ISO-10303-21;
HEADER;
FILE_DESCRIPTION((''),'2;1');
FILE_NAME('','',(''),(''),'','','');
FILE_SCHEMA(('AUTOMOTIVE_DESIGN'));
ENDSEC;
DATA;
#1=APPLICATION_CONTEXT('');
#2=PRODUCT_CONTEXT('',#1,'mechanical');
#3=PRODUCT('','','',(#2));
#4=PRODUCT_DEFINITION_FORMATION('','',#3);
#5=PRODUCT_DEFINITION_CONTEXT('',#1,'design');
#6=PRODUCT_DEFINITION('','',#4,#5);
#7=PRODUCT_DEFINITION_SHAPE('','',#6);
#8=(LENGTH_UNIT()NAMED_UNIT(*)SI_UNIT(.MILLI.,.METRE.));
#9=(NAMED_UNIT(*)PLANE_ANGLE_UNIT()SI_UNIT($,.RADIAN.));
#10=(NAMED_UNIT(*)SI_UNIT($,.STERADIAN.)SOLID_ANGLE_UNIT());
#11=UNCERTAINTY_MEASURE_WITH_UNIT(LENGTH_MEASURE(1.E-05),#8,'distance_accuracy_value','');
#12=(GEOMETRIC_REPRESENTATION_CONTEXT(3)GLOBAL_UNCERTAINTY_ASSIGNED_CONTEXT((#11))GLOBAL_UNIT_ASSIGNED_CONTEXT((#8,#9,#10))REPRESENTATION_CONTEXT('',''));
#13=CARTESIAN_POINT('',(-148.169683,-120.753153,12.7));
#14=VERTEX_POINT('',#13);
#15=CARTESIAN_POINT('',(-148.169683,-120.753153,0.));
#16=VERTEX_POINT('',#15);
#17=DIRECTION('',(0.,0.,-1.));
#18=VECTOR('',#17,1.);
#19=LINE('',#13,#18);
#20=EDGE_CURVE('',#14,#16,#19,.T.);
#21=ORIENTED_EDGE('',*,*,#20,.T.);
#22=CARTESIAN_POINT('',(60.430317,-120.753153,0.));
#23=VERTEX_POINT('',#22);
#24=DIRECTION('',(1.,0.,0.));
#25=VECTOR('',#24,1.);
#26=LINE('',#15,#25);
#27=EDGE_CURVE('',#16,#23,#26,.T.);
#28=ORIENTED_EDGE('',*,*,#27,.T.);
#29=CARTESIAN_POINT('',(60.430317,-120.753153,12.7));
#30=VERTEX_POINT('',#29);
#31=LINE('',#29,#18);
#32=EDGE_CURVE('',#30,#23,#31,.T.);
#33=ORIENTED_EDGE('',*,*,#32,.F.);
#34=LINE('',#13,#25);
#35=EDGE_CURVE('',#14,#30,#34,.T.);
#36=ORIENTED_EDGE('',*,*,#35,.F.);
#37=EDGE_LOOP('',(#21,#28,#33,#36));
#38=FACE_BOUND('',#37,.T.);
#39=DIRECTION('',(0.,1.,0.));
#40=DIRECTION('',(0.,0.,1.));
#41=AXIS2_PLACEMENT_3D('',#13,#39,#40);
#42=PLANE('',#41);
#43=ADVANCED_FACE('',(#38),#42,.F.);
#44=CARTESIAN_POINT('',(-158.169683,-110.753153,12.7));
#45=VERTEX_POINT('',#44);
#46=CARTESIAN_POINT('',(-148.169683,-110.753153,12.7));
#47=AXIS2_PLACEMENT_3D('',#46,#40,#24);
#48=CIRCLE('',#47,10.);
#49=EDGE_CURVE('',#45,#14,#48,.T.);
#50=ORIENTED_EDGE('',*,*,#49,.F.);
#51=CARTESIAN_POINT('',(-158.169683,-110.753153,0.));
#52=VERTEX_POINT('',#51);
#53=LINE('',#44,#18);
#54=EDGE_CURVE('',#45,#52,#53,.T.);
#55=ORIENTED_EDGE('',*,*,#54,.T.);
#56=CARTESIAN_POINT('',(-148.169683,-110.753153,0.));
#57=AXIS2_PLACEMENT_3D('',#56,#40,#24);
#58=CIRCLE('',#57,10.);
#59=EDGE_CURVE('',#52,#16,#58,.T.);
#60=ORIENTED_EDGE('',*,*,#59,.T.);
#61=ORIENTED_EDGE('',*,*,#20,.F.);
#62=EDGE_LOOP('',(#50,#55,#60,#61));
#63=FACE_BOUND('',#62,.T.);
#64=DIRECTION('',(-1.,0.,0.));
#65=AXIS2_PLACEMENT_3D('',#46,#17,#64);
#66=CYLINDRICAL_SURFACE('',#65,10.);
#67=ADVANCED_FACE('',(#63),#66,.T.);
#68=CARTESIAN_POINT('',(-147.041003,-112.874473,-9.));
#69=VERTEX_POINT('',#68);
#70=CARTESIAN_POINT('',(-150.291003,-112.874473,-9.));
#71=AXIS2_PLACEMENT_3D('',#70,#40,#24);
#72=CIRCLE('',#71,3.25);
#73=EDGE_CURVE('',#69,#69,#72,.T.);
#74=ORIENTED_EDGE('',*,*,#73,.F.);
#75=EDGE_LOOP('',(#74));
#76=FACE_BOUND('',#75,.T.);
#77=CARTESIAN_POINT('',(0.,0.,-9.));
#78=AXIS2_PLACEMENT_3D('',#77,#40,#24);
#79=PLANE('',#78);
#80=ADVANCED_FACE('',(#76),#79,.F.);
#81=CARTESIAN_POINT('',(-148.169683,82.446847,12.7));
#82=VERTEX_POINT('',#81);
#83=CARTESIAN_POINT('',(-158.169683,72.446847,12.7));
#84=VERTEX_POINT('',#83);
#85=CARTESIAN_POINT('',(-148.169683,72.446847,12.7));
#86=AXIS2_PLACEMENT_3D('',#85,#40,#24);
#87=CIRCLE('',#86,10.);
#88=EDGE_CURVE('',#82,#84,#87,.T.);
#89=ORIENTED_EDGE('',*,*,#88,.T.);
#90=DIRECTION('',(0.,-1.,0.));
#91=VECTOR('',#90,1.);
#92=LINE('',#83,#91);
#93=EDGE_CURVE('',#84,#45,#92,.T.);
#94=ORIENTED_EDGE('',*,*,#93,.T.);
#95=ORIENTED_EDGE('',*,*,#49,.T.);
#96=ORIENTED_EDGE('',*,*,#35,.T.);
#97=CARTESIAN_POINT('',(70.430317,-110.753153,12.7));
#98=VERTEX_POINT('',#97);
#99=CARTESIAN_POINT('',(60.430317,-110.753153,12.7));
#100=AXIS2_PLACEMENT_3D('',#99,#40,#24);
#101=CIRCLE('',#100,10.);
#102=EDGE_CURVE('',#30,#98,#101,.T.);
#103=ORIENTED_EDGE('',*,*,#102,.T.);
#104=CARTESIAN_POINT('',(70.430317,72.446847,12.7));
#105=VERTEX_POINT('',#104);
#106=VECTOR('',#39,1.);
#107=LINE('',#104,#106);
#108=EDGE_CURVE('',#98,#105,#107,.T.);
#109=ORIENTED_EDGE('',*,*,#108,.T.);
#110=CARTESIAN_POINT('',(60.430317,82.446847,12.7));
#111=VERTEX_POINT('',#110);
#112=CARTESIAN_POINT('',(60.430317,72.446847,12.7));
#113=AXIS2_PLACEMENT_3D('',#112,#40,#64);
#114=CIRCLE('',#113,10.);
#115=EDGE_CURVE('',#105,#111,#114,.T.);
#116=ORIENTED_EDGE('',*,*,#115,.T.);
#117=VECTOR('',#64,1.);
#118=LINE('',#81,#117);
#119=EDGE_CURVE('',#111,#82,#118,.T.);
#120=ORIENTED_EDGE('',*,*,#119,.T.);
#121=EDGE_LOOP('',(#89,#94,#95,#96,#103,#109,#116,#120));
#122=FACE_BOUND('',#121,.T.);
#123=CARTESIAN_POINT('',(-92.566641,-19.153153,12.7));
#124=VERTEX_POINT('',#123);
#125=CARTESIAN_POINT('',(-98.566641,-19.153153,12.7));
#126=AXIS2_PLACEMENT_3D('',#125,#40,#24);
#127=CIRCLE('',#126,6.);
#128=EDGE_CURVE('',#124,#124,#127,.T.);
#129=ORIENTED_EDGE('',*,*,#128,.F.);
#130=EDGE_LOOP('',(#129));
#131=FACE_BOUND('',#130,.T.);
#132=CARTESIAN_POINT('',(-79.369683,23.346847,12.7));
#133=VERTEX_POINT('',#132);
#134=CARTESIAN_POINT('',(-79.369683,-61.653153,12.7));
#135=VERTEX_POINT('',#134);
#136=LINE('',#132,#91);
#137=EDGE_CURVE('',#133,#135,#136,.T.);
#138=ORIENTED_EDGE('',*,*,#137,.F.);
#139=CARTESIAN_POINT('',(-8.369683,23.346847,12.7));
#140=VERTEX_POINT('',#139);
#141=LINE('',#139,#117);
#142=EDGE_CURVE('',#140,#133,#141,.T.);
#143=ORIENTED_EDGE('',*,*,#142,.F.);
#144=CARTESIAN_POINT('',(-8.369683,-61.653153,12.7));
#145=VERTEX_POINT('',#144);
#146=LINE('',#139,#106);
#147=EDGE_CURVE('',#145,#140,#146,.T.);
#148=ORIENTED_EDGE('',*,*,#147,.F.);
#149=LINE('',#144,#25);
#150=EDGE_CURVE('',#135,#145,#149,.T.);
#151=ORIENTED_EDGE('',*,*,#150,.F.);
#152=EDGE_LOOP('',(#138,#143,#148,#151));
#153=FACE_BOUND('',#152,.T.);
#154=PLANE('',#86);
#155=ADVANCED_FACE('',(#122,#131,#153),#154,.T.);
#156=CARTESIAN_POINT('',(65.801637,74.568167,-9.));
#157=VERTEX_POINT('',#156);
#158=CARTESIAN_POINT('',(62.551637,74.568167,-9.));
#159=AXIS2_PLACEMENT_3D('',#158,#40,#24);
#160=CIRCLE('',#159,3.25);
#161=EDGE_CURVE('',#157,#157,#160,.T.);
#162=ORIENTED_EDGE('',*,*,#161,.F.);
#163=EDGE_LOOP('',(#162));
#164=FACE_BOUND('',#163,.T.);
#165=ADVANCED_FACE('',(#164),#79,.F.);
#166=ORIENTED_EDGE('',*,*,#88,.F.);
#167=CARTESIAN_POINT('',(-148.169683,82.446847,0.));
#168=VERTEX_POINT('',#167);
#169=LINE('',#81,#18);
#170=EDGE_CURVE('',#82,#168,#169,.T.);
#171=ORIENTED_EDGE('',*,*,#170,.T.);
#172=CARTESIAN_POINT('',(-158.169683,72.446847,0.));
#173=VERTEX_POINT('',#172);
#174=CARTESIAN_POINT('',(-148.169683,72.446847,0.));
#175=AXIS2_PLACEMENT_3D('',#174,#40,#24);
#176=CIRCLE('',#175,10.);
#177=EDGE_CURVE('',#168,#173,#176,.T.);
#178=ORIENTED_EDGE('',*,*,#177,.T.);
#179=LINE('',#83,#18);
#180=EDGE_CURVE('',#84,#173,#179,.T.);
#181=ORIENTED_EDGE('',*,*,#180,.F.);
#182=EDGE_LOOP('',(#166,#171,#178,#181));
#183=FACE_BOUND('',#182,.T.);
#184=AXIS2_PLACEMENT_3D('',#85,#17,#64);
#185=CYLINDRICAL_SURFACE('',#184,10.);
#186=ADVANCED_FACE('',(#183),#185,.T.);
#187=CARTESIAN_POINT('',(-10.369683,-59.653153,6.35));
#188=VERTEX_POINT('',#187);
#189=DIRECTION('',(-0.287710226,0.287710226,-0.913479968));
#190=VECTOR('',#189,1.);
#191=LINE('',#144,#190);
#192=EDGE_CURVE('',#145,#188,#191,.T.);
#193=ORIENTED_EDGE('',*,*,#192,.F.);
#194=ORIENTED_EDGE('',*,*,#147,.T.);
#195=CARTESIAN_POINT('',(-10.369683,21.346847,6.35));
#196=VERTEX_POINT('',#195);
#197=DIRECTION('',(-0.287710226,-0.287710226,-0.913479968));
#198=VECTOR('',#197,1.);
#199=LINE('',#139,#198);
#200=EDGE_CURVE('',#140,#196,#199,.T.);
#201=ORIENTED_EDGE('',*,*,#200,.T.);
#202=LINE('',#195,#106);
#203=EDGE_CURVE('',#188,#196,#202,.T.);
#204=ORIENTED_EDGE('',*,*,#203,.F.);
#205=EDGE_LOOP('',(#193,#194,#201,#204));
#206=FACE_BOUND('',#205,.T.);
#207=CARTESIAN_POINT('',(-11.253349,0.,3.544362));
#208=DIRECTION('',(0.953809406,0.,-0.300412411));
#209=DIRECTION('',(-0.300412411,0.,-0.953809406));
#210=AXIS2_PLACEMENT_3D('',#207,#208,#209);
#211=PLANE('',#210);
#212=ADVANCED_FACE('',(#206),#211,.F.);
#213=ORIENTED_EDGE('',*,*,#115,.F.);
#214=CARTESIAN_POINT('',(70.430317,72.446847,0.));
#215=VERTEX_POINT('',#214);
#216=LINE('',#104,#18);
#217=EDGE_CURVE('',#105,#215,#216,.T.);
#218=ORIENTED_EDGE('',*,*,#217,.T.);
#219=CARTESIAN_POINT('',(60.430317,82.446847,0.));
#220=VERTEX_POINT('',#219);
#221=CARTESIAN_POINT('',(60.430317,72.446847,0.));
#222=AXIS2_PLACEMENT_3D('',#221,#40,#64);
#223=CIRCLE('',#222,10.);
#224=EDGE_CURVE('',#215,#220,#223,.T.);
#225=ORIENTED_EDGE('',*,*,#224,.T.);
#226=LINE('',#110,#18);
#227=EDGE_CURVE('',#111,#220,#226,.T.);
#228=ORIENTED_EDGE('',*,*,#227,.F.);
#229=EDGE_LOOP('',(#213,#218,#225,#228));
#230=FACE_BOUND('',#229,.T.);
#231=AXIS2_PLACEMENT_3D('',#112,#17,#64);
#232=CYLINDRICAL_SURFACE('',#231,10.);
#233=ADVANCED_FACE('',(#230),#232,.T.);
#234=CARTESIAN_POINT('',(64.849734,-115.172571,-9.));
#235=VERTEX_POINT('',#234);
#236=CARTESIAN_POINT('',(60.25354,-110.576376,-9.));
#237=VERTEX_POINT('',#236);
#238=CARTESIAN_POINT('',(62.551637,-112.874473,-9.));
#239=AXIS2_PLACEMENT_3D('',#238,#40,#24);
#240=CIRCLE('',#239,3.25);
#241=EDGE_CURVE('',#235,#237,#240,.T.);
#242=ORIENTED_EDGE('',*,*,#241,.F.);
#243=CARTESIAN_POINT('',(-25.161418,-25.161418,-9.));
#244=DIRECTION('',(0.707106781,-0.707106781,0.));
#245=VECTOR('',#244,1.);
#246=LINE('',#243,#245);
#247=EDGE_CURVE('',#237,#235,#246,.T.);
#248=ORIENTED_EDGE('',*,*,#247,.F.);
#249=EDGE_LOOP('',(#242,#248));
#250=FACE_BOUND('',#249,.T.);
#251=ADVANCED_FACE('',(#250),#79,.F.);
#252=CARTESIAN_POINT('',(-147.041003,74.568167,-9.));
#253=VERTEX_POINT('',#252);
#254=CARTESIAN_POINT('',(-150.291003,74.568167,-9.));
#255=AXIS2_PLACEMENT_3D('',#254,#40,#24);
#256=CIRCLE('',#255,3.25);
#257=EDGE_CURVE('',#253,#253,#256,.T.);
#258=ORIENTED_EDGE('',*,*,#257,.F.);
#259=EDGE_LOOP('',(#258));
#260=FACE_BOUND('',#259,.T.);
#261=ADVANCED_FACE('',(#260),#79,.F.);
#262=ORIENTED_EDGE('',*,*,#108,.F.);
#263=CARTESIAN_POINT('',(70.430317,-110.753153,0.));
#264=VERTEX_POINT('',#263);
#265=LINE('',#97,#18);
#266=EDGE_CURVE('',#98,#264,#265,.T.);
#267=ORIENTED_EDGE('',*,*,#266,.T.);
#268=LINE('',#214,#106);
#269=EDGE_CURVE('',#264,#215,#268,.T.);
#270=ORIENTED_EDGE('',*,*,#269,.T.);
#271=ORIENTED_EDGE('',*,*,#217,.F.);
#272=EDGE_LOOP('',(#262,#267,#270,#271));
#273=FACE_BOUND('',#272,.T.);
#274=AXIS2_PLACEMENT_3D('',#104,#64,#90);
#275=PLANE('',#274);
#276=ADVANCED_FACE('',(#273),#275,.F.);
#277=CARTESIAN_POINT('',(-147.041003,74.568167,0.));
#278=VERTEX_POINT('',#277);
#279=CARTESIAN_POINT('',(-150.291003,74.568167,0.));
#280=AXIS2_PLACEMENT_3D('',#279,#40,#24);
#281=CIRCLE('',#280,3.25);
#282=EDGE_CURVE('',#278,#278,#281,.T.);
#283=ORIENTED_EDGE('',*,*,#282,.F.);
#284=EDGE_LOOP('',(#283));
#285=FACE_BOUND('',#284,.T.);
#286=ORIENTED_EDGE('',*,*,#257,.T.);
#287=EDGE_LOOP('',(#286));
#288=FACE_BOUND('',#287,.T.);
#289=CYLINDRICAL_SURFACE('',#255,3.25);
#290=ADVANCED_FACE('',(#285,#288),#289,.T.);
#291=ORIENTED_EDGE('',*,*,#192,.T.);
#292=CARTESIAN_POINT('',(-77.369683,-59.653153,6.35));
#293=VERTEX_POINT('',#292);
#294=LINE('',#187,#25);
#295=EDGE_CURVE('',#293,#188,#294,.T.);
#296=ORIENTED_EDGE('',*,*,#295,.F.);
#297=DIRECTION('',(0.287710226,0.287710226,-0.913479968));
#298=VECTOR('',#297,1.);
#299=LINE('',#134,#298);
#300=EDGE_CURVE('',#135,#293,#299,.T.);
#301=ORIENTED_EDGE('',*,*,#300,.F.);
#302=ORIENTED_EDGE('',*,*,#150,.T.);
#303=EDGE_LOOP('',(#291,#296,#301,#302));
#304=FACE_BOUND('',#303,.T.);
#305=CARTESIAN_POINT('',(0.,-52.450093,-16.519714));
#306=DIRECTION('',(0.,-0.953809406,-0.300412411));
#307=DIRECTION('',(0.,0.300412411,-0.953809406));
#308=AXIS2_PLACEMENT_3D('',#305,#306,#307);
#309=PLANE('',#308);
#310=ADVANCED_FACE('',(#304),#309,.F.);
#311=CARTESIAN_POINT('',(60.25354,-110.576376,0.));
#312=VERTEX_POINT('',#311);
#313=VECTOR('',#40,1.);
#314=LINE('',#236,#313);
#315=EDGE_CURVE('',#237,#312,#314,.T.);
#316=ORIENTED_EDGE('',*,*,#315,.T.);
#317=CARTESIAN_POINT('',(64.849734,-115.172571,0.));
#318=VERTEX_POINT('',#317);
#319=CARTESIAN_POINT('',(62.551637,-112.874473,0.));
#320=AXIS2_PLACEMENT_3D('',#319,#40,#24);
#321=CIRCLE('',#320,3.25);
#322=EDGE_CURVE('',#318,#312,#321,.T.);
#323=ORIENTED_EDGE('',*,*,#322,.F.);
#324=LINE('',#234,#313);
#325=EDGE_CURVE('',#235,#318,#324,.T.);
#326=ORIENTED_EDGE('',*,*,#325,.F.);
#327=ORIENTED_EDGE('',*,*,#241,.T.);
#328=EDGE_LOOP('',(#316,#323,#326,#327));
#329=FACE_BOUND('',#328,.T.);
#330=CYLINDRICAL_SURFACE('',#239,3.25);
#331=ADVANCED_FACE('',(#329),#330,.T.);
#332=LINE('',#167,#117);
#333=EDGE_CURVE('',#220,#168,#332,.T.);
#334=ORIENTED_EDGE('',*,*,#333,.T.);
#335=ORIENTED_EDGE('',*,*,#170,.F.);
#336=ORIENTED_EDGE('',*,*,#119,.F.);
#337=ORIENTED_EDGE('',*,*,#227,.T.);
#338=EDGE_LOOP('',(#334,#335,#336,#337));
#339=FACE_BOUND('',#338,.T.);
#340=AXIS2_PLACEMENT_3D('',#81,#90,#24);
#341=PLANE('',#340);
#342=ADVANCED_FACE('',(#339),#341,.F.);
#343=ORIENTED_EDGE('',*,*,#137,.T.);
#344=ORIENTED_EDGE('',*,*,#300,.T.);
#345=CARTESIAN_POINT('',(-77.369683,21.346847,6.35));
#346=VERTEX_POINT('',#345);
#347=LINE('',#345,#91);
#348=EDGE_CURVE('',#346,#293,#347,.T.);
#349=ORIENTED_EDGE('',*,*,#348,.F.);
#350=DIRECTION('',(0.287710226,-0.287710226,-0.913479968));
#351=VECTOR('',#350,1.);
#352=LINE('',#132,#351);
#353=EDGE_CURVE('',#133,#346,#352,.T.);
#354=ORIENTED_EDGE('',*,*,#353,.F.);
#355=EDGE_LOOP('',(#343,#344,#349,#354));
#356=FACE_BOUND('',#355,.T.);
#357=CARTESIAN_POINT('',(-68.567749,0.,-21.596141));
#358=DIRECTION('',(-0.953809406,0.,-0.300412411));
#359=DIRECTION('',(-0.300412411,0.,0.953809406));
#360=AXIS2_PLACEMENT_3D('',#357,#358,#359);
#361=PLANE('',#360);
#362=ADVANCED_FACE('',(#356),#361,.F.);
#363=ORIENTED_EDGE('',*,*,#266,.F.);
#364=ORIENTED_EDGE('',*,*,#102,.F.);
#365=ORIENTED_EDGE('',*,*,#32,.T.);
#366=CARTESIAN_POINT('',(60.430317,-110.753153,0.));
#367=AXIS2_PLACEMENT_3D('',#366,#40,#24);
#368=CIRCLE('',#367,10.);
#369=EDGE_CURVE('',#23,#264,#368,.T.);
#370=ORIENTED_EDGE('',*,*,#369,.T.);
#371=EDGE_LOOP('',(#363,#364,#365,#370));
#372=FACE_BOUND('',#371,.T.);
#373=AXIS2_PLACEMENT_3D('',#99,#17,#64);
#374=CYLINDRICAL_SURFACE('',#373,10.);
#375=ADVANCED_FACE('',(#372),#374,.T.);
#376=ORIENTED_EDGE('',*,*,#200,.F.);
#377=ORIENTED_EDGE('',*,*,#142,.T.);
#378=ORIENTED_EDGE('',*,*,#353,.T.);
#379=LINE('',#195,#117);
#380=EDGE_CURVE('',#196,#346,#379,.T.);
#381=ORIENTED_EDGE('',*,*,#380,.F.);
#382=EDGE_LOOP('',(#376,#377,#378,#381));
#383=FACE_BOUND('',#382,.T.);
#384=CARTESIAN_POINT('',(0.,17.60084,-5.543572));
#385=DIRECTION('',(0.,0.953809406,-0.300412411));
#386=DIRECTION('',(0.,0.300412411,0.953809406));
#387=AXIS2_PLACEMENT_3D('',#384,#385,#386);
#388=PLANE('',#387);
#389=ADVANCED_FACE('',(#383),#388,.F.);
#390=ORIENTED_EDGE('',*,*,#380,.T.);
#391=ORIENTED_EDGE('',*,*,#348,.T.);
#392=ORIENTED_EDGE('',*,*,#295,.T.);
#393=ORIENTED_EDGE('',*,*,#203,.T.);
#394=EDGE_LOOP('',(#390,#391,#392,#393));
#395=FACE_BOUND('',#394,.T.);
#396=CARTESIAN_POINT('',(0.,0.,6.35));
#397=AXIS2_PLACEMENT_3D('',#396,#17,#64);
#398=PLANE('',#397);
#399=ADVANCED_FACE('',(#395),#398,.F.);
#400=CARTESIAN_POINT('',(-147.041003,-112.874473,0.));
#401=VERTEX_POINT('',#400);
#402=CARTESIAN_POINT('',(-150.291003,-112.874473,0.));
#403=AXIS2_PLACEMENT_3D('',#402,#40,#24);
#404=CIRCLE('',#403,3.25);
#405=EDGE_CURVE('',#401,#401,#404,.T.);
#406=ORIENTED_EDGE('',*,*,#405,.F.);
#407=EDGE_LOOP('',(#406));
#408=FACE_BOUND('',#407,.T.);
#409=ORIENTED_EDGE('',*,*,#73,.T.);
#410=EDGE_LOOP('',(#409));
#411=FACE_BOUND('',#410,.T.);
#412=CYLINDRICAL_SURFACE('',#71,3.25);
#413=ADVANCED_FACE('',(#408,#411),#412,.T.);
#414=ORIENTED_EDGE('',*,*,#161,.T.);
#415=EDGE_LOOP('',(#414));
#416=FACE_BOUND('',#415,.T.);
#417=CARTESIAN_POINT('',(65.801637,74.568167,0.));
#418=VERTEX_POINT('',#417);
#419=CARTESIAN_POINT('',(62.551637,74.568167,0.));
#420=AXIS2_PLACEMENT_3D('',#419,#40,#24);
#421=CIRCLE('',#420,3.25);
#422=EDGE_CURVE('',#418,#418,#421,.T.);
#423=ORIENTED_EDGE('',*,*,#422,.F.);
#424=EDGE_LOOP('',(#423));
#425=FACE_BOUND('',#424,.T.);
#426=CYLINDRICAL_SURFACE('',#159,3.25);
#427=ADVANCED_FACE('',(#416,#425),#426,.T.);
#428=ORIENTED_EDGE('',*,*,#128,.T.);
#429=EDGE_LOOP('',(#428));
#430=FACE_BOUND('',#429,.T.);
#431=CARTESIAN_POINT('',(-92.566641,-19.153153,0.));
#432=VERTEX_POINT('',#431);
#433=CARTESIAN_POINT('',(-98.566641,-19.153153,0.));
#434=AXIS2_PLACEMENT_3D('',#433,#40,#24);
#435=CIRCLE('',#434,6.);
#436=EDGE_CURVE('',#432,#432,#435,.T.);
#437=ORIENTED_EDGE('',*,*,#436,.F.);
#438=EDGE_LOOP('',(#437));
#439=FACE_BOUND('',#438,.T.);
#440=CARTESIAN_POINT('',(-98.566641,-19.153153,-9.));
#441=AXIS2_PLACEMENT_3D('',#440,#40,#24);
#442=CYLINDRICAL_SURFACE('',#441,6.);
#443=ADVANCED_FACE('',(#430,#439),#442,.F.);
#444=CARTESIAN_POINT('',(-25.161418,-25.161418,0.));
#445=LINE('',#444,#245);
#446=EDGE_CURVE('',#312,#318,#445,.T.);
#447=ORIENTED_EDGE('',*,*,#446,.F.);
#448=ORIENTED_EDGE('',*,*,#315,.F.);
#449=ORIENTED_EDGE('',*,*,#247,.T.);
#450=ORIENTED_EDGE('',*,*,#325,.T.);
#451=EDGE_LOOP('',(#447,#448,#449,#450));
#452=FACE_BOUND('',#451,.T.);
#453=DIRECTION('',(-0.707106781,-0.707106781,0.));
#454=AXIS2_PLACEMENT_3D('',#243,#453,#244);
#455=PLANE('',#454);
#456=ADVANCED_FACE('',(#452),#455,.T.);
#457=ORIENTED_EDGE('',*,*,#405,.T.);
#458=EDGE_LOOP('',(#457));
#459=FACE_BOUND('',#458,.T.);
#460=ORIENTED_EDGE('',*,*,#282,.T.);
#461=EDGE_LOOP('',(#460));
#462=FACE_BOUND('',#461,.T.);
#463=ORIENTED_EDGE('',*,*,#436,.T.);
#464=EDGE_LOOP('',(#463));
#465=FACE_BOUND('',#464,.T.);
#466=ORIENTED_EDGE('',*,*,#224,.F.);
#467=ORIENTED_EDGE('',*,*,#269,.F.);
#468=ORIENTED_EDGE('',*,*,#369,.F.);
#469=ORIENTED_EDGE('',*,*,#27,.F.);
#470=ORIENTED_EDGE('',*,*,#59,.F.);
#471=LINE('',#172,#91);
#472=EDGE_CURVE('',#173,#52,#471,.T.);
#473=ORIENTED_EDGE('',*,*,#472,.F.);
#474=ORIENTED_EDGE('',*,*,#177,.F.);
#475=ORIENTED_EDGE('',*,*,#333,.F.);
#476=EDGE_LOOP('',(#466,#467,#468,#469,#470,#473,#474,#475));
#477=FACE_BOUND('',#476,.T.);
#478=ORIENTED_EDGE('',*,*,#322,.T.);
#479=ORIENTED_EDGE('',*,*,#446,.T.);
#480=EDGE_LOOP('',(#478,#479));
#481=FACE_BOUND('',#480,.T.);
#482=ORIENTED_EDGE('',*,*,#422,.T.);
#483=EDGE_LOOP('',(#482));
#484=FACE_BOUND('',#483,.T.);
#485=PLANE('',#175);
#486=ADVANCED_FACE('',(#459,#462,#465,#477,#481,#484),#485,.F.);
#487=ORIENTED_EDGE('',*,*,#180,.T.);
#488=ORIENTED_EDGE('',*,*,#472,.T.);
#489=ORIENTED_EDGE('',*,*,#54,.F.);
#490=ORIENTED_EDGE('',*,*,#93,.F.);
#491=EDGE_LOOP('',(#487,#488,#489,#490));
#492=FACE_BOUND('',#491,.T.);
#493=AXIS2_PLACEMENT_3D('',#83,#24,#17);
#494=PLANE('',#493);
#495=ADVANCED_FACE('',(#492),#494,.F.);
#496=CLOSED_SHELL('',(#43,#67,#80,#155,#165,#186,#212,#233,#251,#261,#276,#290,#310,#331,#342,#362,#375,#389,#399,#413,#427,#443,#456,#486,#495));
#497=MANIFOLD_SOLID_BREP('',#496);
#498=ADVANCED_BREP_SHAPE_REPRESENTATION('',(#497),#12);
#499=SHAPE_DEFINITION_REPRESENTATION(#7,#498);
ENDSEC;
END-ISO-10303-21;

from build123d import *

# Parameters (mm, degrees)
LID_DEPTH           = 12.7
SKETCH2_R           = 3.25
CORNER_SHAFTS_DEPTH = 9
SKETCH9_R           = 6
WIRE_HOLE_DEPTH     = 201.174580316


with BuildPart() as part:
    # Sketch1 → Lid (new body)
    with BuildSketch(Plane(origin=(-2.566079358, -10, 0), x_dir=(1, 0, 0), z_dir=(0, 0, 1))):
        with BuildLine():
            Line((-145.603603604, 92.446846847), (62.996396396, 92.446846847))
            ThreePointArc((62.996396396, 92.446846847), (70.067464208, 89.517914659), (72.996396396, 82.446846847))
            Line((72.996396396, 82.446846847), (72.996396396, -100.753153153))
            ThreePointArc((72.996396396, -100.753153153), (70.067464208, -107.824220965), (62.996396396, -110.753153153))
            Line((62.996396396, -110.753153153), (-145.603603604, -110.753153153))
            ThreePointArc((-145.603603604, -110.753153153), (-152.674671415, -107.824220965), (-155.603603604, -100.753153153))
            Line((-155.603603604, -100.753153153), (-155.603603604, 82.446846847))
            ThreePointArc((-155.603603604, 82.446846847), (-152.674671415, 89.517914659), (-145.603603604, 92.446846847))
        make_face()
    extrude(amount=LID_DEPTH)

    # Sketch2 → Corner Shafts (add)
    with BuildSketch(Plane.XY):
        with BuildLine():
            Line((60.253540343, -110.576376458), (64.849734421, -115.172570536))
            ThreePointArc((64.849734421, -115.172570536), (64.849734421, -110.576376458), (60.253540343, -110.576376458))
        make_face()
        with Locations((-150.291003305, -112.874473497)):
            Circle(SKETCH2_R)
        with Locations((-150.291003305, 74.56816719)):
            Circle(SKETCH2_R)
        with Locations((62.551637382, 74.56816719)):
            Circle(SKETCH2_R)
    extrude(amount=-CORNER_SHAFTS_DEPTH)

    # Sketch8 → Kinect Loft Cut section 0
    with BuildSketch(Plane.XY.offset(12.7)):
        with BuildLine():
            Line((-8.369682962, 23.346846847), (-79.369682962, 23.346846847))
            Line((-79.369682962, 23.346846847), (-79.369682962, -61.653153153))
            Line((-79.369682962, -61.653153153), (-8.369682962, -61.653153153))
            Line((-8.369682962, -61.653153153), (-8.369682962, 23.346846847))
        make_face()
    # Base for Kinect → Kinect Loft Cut section 1
    with BuildSketch(Plane.XY.offset(6.35)):
        with BuildLine():
            Line((-10.369682962, 21.346846847), (-77.369682962, 21.346846847))
            Line((-77.369682962, 21.346846847), (-77.369682962, -59.653153153))
            Line((-77.369682962, -59.653153153), (-10.369682962, -59.653153153))
            Line((-10.369682962, -59.653153153), (-10.369682962, 21.346846847))
        make_face()
    loft(mode=Mode.SUBTRACT)

    # Sketch9 → Wire Hole (cut, through all)
    with BuildSketch(Plane.XY.offset(12.7)):
        with Locations((-98.566640815, -19.153153153)):
            Circle(SKETCH9_R)
    extrude(amount=-WIRE_HOLE_DEPTH, mode=Mode.SUBTRACT)


solid = part.part
